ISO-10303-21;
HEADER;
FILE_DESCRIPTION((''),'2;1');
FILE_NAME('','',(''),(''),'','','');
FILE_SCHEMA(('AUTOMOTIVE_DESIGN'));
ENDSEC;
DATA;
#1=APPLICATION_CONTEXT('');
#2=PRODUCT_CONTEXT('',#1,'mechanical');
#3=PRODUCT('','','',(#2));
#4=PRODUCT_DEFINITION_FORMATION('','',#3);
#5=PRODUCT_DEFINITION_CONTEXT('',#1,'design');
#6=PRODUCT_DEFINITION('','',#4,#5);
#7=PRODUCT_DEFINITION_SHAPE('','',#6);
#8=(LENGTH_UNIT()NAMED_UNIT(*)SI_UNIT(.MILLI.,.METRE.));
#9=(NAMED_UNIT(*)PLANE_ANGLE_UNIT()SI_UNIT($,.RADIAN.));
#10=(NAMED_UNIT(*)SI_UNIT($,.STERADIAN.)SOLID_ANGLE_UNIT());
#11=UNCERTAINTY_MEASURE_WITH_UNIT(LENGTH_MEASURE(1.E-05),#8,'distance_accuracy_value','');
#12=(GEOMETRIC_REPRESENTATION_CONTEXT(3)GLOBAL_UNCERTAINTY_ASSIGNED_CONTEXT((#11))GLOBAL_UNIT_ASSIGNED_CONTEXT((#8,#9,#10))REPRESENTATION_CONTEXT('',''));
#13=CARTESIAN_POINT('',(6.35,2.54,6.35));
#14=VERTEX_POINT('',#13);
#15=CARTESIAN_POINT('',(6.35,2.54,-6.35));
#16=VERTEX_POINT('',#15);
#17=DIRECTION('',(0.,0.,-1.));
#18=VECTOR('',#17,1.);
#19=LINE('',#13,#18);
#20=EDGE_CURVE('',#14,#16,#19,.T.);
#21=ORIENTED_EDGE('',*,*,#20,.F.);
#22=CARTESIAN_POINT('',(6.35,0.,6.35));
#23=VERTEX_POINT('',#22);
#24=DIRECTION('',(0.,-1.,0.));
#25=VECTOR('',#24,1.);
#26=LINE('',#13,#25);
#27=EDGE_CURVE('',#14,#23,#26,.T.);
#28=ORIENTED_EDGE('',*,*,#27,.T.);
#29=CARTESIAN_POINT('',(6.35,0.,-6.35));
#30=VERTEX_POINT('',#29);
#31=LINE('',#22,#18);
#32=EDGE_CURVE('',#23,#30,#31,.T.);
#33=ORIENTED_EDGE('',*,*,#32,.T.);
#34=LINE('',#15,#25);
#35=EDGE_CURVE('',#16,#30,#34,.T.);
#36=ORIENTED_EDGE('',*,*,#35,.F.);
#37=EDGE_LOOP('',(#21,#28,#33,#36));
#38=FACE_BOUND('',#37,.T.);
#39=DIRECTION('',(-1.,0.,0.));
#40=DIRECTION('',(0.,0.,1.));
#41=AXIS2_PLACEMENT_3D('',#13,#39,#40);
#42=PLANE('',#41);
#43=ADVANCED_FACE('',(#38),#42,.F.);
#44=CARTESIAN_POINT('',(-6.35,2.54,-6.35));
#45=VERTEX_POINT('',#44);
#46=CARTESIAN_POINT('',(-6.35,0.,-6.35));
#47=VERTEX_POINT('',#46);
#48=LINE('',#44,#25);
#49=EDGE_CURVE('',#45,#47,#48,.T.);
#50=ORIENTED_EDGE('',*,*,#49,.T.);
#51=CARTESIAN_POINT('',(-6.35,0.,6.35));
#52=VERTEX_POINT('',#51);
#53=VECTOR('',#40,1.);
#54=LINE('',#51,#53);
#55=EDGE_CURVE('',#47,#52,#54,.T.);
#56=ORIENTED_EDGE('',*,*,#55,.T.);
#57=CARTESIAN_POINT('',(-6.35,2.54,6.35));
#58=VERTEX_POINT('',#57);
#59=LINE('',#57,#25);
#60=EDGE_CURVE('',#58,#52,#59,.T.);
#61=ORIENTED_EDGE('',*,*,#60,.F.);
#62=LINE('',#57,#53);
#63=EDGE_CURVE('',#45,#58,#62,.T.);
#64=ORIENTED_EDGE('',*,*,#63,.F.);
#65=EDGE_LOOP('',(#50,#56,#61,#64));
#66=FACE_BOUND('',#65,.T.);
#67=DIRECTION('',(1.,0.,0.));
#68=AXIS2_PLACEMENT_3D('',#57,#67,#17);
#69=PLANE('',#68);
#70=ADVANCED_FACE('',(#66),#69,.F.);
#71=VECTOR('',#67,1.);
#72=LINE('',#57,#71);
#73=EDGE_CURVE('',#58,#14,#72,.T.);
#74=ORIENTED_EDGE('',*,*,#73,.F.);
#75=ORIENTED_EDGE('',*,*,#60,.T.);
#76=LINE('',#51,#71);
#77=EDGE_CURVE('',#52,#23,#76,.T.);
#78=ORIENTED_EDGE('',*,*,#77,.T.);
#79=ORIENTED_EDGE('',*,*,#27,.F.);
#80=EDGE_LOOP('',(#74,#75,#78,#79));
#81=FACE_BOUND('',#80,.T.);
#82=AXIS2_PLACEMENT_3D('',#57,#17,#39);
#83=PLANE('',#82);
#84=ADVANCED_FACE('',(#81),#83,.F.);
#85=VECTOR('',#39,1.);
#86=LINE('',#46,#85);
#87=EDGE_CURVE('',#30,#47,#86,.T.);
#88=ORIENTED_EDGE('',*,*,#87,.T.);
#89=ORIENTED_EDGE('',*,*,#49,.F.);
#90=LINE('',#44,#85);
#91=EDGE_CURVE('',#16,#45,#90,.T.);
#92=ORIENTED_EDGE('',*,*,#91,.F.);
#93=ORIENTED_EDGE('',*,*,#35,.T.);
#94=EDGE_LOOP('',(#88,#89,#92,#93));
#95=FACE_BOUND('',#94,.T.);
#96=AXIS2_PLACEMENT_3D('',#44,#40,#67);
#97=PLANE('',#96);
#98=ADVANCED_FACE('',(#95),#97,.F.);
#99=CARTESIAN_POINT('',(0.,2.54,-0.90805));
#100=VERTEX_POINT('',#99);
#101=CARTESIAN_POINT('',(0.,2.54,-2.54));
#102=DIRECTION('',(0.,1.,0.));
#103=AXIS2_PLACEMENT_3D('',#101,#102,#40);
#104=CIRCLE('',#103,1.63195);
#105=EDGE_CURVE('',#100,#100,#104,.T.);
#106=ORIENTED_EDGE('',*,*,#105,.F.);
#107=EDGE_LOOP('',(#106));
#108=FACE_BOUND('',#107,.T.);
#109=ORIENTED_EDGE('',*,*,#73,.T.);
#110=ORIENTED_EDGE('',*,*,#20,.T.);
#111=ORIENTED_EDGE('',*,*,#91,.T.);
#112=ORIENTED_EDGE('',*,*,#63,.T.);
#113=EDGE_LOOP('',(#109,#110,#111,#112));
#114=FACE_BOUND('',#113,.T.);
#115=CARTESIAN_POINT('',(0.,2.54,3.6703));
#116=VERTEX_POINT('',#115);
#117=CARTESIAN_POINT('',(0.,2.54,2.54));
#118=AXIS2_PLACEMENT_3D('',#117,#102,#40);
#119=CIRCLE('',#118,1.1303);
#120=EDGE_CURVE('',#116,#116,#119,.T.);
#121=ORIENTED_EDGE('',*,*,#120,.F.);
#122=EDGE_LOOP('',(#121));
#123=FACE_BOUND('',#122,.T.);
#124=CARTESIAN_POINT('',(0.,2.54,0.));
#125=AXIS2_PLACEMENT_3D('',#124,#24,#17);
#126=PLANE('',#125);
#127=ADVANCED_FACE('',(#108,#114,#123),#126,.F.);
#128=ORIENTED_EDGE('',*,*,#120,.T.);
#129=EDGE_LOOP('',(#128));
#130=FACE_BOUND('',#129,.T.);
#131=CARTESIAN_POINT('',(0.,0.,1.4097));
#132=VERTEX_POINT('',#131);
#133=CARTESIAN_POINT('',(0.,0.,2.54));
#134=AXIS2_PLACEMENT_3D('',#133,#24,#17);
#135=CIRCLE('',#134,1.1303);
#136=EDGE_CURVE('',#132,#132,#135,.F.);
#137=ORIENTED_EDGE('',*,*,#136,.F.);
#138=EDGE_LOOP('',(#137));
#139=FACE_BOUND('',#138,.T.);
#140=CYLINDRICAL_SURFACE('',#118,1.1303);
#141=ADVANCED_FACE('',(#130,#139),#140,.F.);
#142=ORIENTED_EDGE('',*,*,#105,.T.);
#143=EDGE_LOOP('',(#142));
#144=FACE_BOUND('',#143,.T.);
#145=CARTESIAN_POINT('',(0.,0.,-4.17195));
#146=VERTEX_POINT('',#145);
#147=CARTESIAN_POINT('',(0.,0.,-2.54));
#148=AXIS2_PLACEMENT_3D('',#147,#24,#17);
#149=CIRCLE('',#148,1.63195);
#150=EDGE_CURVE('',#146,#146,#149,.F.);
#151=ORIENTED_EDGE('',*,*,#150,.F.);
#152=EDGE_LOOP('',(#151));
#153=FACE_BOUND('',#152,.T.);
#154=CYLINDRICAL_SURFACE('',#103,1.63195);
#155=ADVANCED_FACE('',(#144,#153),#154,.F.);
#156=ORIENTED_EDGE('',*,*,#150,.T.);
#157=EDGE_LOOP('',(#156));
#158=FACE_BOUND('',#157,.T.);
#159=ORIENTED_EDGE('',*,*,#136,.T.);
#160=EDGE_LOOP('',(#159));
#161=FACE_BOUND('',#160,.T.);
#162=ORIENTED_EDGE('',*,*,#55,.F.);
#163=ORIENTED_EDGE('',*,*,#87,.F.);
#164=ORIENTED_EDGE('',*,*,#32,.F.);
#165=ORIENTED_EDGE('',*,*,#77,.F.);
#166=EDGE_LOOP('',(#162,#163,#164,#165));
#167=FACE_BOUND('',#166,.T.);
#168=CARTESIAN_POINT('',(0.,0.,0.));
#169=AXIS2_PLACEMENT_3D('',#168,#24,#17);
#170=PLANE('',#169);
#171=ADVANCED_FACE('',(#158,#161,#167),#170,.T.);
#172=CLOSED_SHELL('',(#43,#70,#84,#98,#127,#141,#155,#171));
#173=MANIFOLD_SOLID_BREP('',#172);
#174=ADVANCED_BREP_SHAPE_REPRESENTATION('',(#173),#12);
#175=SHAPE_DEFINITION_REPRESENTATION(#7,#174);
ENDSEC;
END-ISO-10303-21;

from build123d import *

# Parameters (mm, degrees)
SKETCH1_W                 = 12.7
SKETCH1_H                 = 12.7
BOSS_EXTRUDE1_DEPTH       = 2.54
F_4_CLEARANCE_HOLE1_D     = 3.2639
TAP_DRILL_FOR_4_40_TAP1_D = 2.2606


with BuildPart() as part:
    # Sketch1 → Boss-Extrude1 (new body)
    with BuildSketch(Plane(origin=(0, 0, 0), x_dir=(1, 0, 0), z_dir=(0, 1, 0))):
        Rectangle(SKETCH1_W, SKETCH1_H)
    extrude(amount=BOSS_EXTRUDE1_DEPTH)

    # #4 Clearance Hole1 (through all)
    with Locations(Plane(origin=(0, 2.54, -2.54), x_dir=(0, 0, 1), z_dir=(0, 1, 0))):
        with Locations((0, 0)):
            Hole(F_4_CLEARANCE_HOLE1_D / 2)

    # Tap Drill for #4-40 Tap1 (through all)
    with Locations(Plane(origin=(0, 2.54, 2.54), x_dir=(0, 0, 1), z_dir=(0, 1, 0))):
        with Locations((0, 0)):
            Hole(TAP_DRILL_FOR_4_40_TAP1_D / 2)


solid = part.part
